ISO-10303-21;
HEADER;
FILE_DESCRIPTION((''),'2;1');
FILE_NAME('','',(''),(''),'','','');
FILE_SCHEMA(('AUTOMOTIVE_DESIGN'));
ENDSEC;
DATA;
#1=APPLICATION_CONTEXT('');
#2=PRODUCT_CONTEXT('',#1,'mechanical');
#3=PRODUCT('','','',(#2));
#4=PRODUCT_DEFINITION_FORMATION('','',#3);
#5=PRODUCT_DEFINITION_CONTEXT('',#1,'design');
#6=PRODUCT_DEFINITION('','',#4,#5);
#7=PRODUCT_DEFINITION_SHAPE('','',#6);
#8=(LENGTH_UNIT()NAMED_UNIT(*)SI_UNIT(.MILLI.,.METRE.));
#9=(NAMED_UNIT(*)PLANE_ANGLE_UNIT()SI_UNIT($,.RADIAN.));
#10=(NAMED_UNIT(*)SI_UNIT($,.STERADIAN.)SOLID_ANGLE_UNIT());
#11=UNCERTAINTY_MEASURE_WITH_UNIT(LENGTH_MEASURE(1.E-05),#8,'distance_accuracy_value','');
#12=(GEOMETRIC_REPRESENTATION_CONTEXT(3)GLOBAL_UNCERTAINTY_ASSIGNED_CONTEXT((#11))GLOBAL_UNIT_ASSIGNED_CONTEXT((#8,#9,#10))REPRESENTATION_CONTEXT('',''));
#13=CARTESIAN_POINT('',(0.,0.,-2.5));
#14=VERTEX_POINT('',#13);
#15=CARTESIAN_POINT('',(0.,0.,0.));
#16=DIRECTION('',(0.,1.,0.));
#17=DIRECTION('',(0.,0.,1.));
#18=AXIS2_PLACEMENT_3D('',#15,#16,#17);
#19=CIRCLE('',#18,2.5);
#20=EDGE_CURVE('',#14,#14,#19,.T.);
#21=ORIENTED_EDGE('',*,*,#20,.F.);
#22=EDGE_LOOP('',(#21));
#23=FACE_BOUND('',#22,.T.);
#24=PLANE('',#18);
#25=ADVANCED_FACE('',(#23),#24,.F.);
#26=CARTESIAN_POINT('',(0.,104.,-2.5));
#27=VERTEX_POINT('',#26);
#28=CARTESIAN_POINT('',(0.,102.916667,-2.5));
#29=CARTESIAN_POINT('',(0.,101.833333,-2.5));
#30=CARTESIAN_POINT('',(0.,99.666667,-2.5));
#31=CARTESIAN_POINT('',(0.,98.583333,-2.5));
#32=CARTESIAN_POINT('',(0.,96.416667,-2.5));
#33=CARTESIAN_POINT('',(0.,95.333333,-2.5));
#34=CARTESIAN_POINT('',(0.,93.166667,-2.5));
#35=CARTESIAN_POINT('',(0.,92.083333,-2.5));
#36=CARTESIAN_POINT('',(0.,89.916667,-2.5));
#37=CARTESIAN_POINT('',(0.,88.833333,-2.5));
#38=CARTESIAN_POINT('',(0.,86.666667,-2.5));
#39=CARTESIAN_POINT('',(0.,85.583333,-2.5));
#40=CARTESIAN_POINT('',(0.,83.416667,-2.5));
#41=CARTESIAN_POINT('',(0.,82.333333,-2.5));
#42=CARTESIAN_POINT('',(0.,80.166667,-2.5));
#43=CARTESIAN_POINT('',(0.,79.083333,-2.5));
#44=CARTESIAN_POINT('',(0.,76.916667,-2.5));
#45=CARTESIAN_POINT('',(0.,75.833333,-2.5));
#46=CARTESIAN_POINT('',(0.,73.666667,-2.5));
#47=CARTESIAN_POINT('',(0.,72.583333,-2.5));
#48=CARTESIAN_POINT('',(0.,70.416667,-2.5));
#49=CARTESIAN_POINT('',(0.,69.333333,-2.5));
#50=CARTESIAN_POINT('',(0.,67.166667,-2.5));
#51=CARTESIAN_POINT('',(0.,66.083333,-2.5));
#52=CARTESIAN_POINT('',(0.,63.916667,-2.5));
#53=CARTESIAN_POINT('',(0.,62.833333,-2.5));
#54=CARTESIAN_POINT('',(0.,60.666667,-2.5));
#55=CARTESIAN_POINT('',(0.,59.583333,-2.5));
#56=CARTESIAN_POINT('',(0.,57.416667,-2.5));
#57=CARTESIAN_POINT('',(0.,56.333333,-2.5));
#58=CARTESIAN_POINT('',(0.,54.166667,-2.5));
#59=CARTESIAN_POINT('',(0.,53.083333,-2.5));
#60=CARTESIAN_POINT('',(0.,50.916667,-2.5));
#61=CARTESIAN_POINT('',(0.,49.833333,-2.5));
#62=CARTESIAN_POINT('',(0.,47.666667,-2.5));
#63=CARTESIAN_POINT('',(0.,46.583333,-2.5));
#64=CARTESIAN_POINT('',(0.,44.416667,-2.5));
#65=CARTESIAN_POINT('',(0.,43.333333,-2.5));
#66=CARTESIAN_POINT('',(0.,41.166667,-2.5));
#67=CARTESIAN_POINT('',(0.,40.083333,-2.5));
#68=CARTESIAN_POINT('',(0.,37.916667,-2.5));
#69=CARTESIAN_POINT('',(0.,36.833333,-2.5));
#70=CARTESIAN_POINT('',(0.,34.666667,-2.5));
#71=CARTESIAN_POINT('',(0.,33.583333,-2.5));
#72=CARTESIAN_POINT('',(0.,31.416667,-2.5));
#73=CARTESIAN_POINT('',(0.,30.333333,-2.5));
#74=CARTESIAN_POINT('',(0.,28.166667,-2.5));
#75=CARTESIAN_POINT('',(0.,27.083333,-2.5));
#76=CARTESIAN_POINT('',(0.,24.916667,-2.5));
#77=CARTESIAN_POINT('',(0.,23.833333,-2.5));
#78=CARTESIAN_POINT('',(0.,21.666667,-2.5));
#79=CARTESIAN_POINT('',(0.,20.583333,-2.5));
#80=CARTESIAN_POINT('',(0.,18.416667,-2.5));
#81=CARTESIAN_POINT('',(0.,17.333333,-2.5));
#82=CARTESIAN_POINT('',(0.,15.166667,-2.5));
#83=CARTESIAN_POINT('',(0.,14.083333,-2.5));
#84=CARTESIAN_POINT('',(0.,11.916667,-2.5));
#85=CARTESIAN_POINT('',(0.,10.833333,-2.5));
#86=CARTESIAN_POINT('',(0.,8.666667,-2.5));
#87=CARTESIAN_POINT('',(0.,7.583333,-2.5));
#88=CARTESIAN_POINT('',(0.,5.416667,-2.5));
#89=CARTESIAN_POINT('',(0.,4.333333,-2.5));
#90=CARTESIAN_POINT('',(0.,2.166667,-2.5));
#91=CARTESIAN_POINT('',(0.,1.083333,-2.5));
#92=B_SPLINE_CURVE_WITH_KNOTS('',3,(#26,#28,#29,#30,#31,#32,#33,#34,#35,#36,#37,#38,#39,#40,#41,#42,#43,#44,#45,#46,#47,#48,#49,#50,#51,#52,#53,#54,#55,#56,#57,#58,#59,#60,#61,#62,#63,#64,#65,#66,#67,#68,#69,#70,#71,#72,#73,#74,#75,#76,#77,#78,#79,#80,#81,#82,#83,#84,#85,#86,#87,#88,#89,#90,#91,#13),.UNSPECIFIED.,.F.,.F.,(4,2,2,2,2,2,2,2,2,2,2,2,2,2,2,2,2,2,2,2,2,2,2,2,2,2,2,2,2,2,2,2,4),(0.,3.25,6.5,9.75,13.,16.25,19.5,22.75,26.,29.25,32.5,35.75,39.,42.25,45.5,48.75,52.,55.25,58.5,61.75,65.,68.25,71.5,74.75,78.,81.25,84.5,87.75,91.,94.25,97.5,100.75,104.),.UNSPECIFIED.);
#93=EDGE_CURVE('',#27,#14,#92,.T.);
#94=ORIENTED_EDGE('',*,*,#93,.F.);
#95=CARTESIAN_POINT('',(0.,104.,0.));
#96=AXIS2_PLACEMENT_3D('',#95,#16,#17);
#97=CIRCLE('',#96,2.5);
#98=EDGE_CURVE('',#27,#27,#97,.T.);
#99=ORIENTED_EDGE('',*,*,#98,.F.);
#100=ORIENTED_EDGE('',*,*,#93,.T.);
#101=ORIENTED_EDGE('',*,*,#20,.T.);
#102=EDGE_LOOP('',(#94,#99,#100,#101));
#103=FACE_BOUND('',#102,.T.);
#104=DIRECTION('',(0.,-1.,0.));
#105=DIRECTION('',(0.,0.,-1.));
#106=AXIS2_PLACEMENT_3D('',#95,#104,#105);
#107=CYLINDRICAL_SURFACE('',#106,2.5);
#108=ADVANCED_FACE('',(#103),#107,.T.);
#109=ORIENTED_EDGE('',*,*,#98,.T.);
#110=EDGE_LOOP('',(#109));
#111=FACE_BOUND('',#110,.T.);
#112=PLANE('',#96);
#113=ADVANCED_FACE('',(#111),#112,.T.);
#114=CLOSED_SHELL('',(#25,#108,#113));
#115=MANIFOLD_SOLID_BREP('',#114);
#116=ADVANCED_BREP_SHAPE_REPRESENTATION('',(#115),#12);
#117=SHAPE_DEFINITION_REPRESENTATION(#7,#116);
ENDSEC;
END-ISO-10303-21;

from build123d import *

# Parameters (mm, degrees)
SZKIC1_R                    = 2.5
DODANIE_WYCI_GNI_CIE1_DEPTH = 104


with BuildPart() as part:
    # Szkic1 → Dodanie-wyciągnięcie1 (new body)
    with BuildSketch(Plane(origin=(0, 0, 0), x_dir=(1, 0, 0), z_dir=(0, 1, 0))):
        with Locations(Location((0, 0, 0), (0, 0, 90))):
            Circle(SZKIC1_R)
    extrude(amount=DODANIE_WYCI_GNI_CIE1_DEPTH)


solid = part.part
